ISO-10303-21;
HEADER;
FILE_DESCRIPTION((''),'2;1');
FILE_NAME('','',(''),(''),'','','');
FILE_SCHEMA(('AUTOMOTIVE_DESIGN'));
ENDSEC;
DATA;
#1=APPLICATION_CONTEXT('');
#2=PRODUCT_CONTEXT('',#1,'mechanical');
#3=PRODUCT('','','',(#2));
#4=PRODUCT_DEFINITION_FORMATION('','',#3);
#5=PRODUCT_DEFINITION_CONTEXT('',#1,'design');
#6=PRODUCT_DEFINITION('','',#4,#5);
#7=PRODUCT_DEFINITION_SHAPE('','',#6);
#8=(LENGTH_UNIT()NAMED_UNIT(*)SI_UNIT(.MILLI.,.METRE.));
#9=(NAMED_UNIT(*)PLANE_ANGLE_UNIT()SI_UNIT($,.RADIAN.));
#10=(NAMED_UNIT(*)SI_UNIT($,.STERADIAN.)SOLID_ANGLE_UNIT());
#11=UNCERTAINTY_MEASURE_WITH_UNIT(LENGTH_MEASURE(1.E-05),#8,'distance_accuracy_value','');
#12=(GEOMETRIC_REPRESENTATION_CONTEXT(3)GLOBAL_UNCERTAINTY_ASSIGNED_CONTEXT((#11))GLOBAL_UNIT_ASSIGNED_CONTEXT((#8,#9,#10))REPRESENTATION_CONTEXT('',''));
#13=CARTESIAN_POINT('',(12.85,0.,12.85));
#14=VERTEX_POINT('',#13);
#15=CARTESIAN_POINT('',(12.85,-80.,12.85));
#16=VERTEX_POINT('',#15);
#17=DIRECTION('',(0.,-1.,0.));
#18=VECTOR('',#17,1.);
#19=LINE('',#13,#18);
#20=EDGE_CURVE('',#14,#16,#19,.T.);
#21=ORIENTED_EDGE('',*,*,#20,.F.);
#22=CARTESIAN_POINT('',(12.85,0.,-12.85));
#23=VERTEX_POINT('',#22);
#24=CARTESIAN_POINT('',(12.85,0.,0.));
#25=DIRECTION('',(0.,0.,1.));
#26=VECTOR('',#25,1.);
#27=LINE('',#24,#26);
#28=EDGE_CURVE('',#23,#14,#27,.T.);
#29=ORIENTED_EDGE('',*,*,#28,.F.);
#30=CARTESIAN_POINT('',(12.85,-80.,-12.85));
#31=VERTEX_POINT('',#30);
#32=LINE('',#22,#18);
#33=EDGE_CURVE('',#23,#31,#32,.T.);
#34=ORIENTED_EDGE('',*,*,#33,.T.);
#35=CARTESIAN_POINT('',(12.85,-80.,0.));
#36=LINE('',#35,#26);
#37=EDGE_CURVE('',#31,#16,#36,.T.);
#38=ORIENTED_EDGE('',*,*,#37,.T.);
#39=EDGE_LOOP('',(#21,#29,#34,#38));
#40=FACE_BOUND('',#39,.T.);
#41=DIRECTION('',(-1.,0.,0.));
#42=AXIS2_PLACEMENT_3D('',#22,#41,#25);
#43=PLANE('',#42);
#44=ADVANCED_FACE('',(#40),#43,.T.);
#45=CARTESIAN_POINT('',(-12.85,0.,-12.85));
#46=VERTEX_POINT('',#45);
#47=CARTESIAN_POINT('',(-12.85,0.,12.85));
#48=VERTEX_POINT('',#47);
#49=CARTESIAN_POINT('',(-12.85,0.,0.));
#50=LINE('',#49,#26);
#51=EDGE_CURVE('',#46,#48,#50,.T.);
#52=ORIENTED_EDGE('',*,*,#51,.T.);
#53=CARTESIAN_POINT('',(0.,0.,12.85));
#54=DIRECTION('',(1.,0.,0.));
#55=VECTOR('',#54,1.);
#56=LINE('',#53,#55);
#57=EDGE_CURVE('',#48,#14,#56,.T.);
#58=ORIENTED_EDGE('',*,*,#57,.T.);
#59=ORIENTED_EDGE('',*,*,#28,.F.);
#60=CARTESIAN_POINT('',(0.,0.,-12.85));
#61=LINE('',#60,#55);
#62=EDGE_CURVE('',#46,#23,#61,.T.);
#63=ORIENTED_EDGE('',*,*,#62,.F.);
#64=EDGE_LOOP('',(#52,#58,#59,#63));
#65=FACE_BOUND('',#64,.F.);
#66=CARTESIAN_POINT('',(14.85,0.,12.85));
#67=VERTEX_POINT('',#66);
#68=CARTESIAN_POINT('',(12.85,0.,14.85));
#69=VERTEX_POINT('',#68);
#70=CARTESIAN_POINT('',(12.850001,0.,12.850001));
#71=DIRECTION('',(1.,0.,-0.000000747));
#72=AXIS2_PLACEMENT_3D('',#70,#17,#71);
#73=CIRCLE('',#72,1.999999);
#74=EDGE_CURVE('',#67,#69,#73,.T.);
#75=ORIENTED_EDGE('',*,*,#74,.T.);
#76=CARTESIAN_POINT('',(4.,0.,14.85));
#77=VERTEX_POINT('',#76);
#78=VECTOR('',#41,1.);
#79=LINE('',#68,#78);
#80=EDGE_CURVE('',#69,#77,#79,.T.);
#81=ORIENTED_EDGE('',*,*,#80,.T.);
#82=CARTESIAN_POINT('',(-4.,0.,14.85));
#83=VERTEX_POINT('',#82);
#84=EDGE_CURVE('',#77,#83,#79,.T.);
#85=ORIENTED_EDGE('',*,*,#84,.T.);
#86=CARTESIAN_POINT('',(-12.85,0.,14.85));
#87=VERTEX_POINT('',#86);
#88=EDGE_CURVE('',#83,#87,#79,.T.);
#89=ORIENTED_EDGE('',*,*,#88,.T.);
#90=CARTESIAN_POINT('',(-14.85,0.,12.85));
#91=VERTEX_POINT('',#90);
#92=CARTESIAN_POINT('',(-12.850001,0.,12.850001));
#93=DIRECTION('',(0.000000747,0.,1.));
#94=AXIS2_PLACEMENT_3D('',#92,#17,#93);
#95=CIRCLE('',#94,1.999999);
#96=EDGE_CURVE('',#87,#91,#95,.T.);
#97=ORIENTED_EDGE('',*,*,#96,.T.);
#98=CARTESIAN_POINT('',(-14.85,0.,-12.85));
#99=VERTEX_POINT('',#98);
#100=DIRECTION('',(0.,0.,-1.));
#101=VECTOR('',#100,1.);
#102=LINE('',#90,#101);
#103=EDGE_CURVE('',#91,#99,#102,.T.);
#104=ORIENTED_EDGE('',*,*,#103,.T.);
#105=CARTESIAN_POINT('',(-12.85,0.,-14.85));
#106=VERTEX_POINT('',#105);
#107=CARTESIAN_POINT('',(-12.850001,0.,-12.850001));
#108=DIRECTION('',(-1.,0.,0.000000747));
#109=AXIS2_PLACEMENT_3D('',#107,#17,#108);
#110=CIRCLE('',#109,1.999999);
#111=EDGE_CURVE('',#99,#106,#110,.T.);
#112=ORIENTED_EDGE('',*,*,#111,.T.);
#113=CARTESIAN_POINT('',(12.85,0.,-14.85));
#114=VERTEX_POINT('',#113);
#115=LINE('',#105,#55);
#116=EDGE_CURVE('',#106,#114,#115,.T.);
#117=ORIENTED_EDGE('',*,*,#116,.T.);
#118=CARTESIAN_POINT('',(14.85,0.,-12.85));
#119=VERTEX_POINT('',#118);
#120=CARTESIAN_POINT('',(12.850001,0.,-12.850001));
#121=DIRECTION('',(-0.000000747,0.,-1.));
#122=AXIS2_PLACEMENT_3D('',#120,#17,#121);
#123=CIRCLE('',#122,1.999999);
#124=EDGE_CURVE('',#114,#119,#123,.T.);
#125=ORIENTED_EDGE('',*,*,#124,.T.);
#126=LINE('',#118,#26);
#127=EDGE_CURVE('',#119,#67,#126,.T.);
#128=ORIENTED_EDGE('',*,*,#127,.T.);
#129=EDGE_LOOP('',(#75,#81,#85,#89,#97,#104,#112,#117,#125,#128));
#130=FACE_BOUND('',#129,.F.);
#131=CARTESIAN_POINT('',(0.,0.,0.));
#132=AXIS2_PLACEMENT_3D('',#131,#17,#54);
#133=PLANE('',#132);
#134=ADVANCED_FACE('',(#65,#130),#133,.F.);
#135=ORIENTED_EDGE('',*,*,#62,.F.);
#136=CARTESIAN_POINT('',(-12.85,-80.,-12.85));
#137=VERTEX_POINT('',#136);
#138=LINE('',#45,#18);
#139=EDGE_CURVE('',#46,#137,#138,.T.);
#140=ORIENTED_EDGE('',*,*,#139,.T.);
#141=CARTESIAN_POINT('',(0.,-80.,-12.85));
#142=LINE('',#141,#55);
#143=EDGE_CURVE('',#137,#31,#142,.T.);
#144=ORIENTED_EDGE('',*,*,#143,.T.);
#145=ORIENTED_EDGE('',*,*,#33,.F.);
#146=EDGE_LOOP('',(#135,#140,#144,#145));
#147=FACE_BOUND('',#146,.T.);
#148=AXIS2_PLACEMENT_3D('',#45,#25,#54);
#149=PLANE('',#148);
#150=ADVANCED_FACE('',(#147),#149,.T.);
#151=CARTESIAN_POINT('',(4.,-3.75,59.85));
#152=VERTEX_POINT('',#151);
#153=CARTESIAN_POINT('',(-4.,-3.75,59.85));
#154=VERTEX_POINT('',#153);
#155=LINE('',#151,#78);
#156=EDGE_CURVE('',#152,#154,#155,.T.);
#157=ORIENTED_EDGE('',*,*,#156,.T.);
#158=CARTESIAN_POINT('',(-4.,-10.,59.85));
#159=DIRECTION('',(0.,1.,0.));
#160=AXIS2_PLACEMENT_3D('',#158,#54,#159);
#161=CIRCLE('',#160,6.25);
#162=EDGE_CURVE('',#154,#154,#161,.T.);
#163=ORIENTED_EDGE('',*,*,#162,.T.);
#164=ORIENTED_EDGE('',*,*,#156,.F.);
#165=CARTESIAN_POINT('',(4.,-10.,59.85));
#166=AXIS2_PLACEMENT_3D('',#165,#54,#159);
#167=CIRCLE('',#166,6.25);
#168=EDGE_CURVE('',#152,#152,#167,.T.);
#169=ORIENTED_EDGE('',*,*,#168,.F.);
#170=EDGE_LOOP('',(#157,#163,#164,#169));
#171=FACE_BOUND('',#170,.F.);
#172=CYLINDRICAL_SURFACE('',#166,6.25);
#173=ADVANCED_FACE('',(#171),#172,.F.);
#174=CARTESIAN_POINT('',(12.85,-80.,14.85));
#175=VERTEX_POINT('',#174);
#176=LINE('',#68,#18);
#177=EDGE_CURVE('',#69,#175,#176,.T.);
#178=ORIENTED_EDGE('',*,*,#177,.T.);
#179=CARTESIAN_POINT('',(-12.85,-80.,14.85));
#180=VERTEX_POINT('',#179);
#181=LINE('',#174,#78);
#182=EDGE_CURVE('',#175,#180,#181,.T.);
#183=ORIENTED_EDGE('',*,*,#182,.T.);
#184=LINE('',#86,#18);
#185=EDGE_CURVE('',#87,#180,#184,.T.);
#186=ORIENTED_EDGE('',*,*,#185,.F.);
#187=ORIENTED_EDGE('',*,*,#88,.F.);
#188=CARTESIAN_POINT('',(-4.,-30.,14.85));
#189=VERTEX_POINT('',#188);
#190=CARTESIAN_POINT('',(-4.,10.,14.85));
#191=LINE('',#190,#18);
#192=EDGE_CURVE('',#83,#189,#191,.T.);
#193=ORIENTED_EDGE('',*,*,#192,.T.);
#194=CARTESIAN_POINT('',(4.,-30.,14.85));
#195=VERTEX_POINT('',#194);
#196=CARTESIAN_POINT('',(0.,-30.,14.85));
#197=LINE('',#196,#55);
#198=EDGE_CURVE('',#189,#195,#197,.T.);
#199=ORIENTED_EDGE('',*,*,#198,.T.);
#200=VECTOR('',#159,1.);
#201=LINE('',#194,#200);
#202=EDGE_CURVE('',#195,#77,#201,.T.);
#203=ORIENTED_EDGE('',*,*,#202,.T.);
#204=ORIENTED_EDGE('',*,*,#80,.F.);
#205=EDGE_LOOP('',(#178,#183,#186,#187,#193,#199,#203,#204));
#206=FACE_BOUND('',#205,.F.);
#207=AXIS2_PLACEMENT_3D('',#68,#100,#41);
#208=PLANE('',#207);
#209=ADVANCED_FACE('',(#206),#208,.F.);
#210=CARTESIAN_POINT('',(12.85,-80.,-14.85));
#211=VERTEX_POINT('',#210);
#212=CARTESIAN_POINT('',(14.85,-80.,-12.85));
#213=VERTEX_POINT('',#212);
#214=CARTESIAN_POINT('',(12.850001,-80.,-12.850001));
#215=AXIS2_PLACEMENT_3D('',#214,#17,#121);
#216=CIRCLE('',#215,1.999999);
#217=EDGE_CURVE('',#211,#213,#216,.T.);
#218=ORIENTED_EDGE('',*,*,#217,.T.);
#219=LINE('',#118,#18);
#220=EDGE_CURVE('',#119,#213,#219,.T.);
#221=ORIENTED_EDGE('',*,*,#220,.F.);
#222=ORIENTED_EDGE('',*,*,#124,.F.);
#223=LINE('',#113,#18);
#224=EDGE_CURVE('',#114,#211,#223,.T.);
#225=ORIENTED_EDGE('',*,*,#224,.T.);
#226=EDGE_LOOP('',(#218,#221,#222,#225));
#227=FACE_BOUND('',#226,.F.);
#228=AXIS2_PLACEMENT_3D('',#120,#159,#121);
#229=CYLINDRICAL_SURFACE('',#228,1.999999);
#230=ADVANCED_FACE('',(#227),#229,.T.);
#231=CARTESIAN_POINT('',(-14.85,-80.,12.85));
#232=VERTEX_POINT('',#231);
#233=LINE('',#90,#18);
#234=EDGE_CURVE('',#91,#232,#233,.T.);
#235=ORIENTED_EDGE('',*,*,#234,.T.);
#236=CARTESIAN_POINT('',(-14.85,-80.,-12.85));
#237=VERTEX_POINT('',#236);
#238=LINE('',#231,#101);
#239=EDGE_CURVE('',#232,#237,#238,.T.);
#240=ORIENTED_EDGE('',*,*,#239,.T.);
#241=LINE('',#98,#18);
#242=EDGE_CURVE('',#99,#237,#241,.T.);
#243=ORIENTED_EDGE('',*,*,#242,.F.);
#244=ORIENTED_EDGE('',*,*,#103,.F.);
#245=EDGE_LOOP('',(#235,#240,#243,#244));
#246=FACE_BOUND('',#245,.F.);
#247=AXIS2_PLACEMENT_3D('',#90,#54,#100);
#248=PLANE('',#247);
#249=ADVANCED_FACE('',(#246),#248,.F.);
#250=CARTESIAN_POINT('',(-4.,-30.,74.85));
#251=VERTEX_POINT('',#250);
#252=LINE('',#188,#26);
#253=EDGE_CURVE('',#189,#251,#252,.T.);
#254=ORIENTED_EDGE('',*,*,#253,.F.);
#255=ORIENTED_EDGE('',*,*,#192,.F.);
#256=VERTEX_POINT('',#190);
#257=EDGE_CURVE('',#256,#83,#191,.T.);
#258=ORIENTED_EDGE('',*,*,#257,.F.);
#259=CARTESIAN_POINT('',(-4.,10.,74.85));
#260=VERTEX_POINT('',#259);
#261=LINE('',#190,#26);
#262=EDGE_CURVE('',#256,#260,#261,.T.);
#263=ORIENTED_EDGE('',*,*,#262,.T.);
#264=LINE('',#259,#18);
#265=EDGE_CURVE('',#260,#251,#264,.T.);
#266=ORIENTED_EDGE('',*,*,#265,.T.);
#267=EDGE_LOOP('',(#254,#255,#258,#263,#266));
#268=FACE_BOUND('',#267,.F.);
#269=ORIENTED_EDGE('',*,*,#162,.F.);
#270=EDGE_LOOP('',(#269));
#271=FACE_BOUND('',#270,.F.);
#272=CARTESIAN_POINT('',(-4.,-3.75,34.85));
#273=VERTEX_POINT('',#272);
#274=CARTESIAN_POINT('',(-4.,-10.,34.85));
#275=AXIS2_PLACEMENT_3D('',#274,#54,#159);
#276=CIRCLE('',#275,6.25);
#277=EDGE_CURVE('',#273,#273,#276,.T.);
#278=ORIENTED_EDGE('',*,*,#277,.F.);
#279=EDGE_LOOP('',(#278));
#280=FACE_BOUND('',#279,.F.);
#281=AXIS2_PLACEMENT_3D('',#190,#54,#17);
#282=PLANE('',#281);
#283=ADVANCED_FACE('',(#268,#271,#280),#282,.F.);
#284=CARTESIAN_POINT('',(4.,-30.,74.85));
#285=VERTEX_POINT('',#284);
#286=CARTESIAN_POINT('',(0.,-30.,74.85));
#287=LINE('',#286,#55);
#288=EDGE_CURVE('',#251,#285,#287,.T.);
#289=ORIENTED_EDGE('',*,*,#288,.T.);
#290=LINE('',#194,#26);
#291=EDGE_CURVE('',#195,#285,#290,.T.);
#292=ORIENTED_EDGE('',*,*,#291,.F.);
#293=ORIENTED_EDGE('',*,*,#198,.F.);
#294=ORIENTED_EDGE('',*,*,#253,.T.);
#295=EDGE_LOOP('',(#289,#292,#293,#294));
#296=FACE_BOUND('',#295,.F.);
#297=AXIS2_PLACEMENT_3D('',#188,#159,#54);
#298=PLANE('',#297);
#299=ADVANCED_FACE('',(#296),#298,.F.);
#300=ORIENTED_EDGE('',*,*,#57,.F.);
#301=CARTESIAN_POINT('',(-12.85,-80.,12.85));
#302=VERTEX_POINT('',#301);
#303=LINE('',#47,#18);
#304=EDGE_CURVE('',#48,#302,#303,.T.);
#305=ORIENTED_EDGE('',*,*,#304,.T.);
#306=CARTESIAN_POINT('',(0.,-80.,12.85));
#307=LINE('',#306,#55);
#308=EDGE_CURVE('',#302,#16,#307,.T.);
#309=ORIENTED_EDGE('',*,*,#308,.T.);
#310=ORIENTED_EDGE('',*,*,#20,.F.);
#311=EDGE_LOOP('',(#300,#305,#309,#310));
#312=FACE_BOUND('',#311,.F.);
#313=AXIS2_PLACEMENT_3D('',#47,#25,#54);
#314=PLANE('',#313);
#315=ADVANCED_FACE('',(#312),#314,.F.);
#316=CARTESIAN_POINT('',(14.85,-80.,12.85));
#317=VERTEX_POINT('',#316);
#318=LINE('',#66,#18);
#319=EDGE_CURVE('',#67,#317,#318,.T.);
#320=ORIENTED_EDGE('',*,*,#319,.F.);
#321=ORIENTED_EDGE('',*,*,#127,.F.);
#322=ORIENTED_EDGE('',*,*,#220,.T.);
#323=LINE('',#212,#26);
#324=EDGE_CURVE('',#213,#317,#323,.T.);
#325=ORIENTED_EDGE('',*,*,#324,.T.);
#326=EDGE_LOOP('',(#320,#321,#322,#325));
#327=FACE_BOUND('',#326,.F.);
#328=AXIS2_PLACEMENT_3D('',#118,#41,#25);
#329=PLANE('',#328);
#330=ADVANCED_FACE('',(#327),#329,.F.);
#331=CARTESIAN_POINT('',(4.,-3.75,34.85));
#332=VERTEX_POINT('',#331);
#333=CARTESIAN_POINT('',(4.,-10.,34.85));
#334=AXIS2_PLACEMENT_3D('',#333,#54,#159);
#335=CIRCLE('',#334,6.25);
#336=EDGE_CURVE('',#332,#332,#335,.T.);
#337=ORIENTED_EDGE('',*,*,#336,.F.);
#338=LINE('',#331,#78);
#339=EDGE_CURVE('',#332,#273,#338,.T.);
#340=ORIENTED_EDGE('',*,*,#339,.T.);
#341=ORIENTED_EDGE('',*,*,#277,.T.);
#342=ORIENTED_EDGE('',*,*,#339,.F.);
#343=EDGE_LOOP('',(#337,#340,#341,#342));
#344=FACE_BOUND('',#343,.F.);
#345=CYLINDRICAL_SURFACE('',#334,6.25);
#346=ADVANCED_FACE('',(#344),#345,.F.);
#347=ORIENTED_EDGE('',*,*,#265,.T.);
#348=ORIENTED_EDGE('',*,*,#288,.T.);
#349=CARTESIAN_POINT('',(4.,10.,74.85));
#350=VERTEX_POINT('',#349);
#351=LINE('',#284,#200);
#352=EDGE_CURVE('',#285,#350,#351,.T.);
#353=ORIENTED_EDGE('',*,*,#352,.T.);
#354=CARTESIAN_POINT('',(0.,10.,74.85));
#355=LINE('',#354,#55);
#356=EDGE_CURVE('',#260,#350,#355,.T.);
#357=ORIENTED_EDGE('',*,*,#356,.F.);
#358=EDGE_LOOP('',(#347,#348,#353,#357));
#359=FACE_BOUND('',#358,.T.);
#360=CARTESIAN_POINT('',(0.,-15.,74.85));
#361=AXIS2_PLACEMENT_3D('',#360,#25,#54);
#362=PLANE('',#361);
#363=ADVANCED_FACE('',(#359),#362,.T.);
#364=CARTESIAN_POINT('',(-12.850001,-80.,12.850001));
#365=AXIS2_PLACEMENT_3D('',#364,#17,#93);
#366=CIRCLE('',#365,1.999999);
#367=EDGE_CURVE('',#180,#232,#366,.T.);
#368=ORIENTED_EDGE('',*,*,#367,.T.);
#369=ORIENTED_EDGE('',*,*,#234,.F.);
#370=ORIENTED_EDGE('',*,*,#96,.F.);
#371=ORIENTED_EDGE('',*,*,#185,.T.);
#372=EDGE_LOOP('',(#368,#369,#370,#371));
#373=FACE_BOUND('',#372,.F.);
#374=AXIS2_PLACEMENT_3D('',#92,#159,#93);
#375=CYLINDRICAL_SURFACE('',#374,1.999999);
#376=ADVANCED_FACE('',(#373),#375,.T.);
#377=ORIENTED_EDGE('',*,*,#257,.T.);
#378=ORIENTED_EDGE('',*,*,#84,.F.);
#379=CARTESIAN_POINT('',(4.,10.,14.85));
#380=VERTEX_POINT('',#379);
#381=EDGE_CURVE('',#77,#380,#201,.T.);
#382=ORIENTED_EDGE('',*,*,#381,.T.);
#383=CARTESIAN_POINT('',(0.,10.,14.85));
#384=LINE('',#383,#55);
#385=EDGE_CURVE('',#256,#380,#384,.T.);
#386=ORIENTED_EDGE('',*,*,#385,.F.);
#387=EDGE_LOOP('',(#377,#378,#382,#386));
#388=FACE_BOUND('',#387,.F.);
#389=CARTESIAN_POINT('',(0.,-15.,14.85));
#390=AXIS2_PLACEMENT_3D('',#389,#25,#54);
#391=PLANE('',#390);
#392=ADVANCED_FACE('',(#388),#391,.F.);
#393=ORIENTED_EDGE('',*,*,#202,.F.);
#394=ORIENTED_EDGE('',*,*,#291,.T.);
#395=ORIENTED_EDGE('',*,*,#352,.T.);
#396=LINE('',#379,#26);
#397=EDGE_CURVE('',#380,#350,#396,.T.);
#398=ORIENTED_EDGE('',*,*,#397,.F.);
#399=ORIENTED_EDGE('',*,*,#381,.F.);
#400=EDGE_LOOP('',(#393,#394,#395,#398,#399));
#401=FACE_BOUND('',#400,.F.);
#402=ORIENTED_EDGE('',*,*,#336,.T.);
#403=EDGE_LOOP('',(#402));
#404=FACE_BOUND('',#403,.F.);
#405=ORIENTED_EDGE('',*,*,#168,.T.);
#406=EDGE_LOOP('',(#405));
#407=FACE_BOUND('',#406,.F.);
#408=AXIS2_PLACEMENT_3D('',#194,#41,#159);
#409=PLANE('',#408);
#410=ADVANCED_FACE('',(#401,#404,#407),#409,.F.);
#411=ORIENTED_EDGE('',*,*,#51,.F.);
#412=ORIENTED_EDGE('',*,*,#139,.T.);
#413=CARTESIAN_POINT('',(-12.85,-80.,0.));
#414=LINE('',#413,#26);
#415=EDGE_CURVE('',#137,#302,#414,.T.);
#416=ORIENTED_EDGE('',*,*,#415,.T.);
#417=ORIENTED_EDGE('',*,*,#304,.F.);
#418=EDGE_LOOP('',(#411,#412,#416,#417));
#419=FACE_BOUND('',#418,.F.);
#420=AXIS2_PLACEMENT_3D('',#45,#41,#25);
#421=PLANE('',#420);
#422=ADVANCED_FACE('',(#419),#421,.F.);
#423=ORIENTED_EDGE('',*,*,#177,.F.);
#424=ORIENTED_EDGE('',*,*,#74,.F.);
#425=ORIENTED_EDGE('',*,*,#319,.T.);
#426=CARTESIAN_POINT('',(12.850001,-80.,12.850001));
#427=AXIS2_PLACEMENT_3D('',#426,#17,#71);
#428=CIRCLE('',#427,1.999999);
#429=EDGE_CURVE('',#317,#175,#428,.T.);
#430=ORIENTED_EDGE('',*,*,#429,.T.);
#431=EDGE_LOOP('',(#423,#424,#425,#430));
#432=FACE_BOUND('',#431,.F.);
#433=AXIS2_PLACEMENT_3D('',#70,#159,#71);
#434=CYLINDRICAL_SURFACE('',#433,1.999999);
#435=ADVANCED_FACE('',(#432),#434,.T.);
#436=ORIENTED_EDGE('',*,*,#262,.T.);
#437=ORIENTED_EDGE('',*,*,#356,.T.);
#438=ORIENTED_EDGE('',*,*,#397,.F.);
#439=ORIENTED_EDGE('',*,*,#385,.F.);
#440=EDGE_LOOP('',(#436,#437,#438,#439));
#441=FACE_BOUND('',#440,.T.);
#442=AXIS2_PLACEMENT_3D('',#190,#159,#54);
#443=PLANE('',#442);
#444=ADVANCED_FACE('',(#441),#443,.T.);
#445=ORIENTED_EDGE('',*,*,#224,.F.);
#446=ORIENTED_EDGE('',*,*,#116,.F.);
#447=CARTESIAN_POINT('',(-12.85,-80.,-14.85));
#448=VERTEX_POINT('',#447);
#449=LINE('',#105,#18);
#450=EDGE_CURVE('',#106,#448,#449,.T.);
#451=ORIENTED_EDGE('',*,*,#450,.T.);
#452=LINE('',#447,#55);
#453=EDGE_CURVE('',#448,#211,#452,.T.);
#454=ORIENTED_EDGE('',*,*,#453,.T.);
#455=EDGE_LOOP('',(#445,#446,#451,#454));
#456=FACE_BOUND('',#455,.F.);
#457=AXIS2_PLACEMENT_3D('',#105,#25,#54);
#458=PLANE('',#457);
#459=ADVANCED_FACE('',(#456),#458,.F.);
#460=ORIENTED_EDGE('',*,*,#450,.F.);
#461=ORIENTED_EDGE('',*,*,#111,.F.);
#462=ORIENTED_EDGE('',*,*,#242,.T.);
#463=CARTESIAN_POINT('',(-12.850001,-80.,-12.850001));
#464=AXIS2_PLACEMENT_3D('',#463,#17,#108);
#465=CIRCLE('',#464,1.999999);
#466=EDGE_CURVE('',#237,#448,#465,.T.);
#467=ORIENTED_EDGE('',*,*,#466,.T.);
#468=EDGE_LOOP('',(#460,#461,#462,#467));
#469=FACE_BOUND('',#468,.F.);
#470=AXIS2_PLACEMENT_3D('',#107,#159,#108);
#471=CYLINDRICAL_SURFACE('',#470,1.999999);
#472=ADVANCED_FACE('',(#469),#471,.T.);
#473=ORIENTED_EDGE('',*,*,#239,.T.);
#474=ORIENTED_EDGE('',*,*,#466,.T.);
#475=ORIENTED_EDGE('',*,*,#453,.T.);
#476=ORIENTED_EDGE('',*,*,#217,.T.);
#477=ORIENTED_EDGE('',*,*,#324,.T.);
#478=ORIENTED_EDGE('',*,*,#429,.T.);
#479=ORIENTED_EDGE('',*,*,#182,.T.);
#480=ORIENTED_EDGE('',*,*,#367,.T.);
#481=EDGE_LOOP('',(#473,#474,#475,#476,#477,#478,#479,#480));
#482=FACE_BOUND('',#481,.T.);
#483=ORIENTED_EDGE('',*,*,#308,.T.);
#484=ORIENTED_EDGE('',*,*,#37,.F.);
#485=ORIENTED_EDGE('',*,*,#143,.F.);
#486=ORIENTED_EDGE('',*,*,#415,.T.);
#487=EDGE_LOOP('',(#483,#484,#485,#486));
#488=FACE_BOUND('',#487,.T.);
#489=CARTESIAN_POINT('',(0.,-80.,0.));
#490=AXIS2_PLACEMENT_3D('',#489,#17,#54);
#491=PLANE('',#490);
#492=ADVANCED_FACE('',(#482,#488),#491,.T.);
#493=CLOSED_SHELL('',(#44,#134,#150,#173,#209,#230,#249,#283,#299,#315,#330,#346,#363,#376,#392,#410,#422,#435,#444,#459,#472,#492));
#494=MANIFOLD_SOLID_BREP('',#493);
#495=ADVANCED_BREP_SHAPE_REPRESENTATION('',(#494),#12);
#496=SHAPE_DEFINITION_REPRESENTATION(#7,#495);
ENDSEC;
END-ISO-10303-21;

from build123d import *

# Parameters (mm, degrees)
F0_W     = 25.7
F0_H     = 25.7
F1_DEPTH = 80
F2_W     = 8
F2_H     = 30
F2_H_2   = 10
F3_DEPTH = 60
F4_R     = 6.25
F5_DEPTH = 25


with BuildPart() as f1:
    # F0 (on Front) → F1 (new body)
    with BuildSketch(Plane.XZ):
        with BuildLine():
            Line((-12.85, -14.85), (12.85, -14.85))
            ThreePointArc((12.85, -14.85), (14.264214, -14.264214), (14.85, -12.85))
            Line((14.85, -12.85), (14.85, 12.85))
            ThreePointArc((14.85, 12.85), (14.264214, 14.264214), (12.85, 14.85))
            Line((12.85, 14.85), (-12.85, 14.85))
            ThreePointArc((-12.85, 14.85), (-14.264214, 14.264214), (-14.85, 12.85))
            Line((-14.85, 12.85), (-14.85, -12.85))
            ThreePointArc((-14.85, -12.85), (-14.264214, -14.264214), (-12.85, -14.85))
        make_face()
        Rectangle(F0_W, F0_H, mode=Mode.SUBTRACT)
    extrude(amount=F1_DEPTH)

    # F2 (on face) → F3 (join)
    with BuildSketch(Plane.XY.offset(14.85)):
        with Locations((0, -15)):
            Rectangle(F2_W, F2_H)
        with Locations((0, 5)):
            Rectangle(F2_W, F2_H_2)
    extrude(amount=F3_DEPTH)

    # F4 (on face) → F5 (cut)
    with BuildSketch(Plane.YZ.offset(4)):
        with Locations((-10, 34.85)):
            Circle(F4_R)
        with Locations((-10, 59.85)):
            Circle(F4_R)
    extrude(amount=-F5_DEPTH, mode=Mode.SUBTRACT)


solid = f1.part
